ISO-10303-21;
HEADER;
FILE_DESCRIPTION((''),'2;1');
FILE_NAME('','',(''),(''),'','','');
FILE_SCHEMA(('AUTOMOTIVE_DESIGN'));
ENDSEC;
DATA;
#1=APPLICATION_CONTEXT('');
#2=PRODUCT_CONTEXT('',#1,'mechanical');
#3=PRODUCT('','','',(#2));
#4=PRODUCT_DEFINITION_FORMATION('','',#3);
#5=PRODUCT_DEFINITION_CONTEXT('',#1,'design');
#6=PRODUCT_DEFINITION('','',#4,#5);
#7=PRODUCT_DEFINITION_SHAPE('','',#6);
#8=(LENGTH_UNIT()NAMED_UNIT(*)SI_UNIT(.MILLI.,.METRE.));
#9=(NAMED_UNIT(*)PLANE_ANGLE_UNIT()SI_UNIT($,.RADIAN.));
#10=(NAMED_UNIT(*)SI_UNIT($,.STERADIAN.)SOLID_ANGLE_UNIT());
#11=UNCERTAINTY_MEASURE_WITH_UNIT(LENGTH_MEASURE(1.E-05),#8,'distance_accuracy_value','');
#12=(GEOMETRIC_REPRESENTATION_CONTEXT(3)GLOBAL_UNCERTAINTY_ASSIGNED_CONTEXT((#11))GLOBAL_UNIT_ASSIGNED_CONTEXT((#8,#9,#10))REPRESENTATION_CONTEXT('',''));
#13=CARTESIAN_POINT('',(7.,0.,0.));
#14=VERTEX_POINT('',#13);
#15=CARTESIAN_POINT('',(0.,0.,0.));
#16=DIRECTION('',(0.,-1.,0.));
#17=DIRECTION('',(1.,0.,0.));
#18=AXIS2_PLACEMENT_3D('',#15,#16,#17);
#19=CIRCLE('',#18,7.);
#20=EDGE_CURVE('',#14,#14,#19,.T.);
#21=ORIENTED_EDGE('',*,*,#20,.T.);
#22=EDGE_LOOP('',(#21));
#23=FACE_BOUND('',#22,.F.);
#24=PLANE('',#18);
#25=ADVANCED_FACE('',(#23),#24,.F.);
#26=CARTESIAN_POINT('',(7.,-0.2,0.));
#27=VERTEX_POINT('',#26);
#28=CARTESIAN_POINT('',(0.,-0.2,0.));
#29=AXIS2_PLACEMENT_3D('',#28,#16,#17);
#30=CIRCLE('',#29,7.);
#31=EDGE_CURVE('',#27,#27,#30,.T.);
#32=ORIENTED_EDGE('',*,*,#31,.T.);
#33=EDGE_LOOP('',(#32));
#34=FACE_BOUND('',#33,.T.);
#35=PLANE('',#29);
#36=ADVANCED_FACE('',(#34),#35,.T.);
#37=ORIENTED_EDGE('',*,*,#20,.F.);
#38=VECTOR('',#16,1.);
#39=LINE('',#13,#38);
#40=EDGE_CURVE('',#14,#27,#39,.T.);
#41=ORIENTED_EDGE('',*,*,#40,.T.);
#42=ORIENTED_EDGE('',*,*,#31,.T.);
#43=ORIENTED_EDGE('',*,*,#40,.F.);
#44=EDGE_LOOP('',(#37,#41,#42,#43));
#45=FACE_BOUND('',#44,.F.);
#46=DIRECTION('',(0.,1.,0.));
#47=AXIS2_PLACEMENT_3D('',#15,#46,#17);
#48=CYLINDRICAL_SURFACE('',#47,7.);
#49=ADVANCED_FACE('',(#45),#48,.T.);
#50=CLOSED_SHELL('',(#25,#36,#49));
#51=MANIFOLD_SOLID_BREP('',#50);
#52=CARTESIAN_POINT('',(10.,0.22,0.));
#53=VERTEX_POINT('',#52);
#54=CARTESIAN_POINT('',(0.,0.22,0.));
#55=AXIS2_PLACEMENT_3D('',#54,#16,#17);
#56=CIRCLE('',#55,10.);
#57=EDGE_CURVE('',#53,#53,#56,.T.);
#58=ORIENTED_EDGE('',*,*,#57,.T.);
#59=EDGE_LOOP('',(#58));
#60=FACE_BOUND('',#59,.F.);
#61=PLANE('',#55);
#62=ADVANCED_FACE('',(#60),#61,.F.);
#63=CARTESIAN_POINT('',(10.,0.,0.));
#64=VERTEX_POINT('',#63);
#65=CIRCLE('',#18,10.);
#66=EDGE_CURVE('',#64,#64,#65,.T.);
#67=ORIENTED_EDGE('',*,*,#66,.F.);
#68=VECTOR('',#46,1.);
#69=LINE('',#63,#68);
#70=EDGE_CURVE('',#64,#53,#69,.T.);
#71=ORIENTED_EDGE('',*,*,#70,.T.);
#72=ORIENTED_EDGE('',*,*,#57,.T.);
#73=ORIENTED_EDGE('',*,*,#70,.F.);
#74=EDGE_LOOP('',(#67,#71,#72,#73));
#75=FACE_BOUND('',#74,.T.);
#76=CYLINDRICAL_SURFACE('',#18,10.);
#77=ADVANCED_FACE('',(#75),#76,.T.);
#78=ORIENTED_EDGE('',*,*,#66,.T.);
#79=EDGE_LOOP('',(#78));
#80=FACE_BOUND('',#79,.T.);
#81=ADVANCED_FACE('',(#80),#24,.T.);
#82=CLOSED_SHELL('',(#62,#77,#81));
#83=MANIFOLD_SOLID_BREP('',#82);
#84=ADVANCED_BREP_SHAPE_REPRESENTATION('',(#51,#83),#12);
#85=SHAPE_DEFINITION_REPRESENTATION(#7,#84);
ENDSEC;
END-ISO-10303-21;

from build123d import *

# Parameters (mm, degrees)
F0_R     = 10
F0_R_2   = 7
F1_DEPTH = 0.22
F2_DEPTH = 0.2


with BuildPart() as f1:
    # F0 (on Front) → F1 (new body)
    with BuildSketch(Plane.XZ):
        Circle(F0_R)
        Circle(F0_R_2, mode=Mode.SUBTRACT)
        Circle(F0_R_2)
    extrude(amount=-F1_DEPTH)


with BuildPart() as f2:
    # F0 (on Front) → F2 (new body)
    with BuildSketch(Plane.XZ):
        Circle(F0_R_2)
    extrude(amount=F2_DEPTH)


solid = Compound([f1.part, f2.part])
